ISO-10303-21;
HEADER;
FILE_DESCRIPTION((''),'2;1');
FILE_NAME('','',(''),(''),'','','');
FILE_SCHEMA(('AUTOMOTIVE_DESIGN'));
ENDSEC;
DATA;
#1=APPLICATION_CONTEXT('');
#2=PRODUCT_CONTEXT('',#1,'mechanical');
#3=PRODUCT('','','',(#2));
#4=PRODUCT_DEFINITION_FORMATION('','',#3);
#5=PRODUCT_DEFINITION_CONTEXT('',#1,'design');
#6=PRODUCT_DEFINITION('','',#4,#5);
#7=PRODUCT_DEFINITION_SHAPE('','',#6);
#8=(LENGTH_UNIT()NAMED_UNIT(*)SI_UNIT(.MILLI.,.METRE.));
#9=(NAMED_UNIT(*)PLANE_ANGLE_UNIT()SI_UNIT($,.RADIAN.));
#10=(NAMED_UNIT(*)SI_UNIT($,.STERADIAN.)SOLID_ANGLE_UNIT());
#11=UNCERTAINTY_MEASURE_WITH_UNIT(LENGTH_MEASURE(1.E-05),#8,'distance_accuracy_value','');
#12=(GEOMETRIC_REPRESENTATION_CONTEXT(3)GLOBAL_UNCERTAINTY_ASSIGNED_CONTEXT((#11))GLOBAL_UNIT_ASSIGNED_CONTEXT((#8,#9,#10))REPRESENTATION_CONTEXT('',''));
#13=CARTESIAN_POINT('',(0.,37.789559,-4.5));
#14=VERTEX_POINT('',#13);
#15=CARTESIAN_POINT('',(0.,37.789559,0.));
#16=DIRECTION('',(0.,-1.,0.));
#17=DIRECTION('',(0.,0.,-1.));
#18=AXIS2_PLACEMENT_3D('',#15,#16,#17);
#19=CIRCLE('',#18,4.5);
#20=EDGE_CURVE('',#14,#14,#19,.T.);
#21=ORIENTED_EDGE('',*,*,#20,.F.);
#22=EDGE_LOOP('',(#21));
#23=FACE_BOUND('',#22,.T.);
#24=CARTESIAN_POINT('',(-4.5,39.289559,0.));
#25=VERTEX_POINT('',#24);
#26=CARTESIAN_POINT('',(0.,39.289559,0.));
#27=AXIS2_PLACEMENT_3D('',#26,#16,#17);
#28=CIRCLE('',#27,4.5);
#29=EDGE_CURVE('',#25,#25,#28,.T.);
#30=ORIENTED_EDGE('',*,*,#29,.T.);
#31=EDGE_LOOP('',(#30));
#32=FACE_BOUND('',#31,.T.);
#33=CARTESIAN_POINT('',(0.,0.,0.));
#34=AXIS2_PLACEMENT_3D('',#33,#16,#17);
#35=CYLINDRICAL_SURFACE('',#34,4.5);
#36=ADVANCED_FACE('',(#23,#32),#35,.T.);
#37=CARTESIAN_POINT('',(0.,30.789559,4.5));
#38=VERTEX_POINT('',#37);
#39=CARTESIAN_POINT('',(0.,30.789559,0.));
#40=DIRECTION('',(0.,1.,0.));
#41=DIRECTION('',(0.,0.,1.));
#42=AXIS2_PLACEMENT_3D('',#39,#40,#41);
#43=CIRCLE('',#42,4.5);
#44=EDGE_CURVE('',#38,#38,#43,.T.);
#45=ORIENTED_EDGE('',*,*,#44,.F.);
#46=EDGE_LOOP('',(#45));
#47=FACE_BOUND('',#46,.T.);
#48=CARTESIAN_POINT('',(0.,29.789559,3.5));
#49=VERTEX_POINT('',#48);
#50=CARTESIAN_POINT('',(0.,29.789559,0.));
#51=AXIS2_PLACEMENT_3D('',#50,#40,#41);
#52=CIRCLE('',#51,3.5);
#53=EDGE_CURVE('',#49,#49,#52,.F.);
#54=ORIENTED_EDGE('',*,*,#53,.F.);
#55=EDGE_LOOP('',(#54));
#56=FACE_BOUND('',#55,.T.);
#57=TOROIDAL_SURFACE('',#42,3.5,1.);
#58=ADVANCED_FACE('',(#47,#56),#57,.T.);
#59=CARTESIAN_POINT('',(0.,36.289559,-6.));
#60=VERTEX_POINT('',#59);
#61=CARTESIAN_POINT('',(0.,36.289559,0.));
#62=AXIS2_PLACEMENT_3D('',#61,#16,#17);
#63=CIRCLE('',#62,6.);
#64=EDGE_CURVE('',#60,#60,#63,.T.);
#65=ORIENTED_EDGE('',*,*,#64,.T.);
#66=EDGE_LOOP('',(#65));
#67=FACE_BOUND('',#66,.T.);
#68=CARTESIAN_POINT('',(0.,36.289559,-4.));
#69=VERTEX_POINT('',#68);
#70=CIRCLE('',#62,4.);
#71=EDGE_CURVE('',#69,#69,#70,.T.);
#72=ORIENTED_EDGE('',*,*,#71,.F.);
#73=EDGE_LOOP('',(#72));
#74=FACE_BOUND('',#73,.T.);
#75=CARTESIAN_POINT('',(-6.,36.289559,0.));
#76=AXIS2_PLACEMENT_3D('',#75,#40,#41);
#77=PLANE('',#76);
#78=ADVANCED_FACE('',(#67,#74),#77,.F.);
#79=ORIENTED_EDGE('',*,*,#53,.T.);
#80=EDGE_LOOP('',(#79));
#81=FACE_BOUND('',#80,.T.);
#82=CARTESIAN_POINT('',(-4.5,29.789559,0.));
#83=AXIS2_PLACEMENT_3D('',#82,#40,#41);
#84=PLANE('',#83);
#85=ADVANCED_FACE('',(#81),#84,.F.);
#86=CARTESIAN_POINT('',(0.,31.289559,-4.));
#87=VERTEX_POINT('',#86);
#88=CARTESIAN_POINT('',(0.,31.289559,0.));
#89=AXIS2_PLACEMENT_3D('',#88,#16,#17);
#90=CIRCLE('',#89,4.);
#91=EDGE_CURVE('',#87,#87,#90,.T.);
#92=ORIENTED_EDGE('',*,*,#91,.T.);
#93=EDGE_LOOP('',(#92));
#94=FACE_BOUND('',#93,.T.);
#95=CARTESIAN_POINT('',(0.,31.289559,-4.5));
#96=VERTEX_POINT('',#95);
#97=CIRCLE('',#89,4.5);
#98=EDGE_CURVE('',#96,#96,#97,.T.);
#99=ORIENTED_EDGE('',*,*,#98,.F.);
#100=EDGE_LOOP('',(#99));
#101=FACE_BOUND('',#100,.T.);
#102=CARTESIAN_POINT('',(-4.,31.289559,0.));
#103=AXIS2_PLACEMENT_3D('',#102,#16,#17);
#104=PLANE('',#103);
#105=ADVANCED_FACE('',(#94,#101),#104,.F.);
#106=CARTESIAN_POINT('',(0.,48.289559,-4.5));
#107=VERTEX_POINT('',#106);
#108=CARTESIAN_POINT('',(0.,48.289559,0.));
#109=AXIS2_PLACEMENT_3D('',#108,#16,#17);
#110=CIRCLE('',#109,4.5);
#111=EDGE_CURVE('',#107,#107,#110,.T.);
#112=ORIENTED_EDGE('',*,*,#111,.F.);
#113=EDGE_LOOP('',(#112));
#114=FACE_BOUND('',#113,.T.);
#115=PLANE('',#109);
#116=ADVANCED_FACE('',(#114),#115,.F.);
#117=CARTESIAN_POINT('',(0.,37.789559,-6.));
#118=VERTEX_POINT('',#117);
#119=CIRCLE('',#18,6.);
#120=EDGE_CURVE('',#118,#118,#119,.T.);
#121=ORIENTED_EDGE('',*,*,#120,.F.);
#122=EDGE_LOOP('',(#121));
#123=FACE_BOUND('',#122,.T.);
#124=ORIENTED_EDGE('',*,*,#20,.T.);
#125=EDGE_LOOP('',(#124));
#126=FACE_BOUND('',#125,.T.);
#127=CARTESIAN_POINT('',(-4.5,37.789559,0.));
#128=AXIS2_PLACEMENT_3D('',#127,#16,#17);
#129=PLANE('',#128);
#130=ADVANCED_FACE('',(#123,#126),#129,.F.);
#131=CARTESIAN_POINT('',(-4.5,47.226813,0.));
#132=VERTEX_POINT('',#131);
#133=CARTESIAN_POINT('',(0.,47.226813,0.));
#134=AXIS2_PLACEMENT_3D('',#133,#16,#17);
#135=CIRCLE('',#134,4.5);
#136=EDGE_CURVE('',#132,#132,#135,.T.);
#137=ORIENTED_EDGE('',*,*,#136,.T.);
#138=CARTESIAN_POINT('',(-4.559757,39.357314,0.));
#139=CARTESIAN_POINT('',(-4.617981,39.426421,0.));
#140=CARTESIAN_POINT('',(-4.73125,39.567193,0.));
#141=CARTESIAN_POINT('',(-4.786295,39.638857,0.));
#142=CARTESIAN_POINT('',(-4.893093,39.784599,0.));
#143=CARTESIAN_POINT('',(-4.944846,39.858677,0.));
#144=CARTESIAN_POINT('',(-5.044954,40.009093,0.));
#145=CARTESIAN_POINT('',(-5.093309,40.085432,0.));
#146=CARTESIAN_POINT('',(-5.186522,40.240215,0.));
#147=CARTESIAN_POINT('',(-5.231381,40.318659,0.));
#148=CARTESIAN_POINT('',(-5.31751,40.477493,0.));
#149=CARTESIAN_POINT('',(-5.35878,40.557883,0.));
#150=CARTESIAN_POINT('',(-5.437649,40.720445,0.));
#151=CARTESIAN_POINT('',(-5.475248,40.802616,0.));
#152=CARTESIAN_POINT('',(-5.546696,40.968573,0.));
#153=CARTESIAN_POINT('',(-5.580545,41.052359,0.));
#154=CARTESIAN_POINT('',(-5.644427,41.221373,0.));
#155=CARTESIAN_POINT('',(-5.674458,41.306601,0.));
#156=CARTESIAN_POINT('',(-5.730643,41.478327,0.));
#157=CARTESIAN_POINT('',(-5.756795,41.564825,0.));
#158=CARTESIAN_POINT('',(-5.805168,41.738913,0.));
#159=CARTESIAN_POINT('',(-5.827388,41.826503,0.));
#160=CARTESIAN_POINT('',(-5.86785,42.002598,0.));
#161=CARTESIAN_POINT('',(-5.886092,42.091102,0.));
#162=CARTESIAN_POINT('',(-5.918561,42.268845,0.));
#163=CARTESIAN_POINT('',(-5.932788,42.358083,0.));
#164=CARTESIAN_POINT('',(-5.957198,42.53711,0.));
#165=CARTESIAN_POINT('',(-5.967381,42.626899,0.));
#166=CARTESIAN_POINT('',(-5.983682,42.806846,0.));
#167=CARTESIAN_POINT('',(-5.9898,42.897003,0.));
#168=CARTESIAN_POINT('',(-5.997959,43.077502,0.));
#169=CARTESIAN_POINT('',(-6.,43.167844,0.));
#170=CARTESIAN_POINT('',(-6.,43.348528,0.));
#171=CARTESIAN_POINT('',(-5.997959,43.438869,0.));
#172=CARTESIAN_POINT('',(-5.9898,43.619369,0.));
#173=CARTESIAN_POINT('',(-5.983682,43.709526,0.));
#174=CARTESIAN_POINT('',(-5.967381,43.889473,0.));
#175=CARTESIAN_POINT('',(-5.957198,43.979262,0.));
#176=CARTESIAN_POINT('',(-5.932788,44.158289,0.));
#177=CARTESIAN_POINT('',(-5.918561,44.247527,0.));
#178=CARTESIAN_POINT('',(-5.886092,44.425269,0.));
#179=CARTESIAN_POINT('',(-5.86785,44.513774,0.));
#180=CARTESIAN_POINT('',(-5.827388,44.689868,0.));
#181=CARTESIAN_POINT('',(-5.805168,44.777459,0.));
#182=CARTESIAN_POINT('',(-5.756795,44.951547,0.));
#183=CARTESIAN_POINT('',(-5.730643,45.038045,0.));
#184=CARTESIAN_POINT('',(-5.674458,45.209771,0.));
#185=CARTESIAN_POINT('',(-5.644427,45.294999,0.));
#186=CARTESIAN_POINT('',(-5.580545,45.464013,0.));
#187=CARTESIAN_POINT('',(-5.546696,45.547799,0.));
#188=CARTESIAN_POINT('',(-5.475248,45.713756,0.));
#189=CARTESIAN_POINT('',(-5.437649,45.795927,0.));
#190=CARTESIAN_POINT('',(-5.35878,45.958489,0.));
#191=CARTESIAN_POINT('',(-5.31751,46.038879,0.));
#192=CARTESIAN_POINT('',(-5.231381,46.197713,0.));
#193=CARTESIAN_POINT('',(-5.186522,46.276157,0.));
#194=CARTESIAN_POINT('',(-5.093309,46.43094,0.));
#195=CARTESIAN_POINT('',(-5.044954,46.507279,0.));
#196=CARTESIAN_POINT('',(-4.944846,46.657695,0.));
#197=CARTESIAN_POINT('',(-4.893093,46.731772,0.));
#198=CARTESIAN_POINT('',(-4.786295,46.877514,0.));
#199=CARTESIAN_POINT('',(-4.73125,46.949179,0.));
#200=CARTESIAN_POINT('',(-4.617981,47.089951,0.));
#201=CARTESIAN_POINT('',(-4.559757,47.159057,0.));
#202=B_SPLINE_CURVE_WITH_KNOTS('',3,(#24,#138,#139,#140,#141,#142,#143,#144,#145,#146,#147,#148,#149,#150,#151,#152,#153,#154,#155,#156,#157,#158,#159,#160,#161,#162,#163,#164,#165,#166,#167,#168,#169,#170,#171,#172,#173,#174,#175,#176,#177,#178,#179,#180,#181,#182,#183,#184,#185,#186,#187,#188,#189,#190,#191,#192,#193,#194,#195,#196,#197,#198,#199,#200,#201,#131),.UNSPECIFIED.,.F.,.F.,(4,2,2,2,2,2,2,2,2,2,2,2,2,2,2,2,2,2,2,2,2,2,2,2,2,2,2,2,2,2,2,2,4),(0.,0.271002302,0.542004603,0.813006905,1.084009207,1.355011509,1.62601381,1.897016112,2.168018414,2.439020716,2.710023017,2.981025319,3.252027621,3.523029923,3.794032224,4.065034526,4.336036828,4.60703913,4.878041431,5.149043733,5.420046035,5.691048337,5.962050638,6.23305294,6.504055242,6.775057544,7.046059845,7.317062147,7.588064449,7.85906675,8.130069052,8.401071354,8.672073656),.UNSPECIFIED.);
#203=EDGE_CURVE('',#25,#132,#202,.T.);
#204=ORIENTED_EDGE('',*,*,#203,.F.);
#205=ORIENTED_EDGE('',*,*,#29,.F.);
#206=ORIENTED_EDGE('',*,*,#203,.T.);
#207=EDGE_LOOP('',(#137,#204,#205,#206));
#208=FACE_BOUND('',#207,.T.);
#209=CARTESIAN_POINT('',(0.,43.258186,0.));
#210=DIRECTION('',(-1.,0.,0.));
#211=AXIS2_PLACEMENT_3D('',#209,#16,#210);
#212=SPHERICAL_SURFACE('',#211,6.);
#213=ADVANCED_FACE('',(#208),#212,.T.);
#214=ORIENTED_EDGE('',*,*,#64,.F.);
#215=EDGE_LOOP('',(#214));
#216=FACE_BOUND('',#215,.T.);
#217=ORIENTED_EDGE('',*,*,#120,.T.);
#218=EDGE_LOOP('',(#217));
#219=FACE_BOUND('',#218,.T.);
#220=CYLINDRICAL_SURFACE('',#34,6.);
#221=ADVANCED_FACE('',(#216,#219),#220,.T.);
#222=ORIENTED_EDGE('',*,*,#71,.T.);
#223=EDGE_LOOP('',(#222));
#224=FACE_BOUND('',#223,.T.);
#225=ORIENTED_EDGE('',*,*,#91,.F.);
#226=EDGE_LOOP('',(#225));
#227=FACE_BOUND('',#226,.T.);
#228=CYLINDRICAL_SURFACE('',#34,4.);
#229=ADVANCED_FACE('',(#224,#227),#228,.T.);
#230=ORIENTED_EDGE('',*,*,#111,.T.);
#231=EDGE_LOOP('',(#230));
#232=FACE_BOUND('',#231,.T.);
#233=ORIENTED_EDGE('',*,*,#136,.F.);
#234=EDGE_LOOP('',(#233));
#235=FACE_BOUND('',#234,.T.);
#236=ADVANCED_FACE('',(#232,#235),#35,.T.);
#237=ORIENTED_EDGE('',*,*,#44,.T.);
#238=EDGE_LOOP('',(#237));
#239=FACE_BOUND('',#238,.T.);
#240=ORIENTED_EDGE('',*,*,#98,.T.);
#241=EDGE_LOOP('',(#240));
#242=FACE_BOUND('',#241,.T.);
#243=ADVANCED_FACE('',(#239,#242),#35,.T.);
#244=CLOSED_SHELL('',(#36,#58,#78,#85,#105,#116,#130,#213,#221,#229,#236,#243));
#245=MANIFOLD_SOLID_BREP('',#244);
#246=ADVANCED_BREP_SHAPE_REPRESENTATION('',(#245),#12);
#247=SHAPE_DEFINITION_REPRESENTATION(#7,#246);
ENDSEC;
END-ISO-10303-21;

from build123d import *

# Parameters (mm, degrees)
CONG_1_R = 1


with BuildPart() as part:
    # Esquisse1 → Révolution1 (revolve)
    with BuildSketch(Plane.XY, mode=Mode.PRIVATE) as r_volution1_sk:
        with BuildLine():
            Line((-4.5, 39.289558898), (-4.5, 37.789558898))
            Line((-4.5, 37.789558898), (-6, 37.789558898))
            Line((-6, 37.789558898), (-6, 36.289558898))
            Line((-6, 36.289558898), (-4, 36.289558898))
            Line((-4, 36.289558898), (-4, 31.289558898))
            Line((-4, 31.289558898), (-4.5, 31.289558898))
            Line((-4.5, 31.289558898), (-4.5, 29.789558898))
            Line((-4.5, 29.789558898), (0, 29.789558898))
            Line((0, 29.789558898), (0, 48.289558898))
            Line((0, 48.289558898), (-4.5, 48.289558898))
            Line((-4.5, 48.289558898), (-4.5, 47.226812831))
            ThreePointArc((-4.5, 47.226812831), (-6, 43.258185864), (-4.5, 39.289558898))
        make_face()
    revolve(r_volution1_sk.sketch.rotate(Axis((0, 0, 0), (0, 1, 0)), 270), axis=Axis((0, 0, 0), (0, 1, 0)))

    # Congé1
    cong_1_edges = [part.edges().sort_by_distance(p)[0] for p in [
        (0, 29.789558898, 4.5),
    ]]
    fillet(cong_1_edges, radius=CONG_1_R)


solid = part.part
